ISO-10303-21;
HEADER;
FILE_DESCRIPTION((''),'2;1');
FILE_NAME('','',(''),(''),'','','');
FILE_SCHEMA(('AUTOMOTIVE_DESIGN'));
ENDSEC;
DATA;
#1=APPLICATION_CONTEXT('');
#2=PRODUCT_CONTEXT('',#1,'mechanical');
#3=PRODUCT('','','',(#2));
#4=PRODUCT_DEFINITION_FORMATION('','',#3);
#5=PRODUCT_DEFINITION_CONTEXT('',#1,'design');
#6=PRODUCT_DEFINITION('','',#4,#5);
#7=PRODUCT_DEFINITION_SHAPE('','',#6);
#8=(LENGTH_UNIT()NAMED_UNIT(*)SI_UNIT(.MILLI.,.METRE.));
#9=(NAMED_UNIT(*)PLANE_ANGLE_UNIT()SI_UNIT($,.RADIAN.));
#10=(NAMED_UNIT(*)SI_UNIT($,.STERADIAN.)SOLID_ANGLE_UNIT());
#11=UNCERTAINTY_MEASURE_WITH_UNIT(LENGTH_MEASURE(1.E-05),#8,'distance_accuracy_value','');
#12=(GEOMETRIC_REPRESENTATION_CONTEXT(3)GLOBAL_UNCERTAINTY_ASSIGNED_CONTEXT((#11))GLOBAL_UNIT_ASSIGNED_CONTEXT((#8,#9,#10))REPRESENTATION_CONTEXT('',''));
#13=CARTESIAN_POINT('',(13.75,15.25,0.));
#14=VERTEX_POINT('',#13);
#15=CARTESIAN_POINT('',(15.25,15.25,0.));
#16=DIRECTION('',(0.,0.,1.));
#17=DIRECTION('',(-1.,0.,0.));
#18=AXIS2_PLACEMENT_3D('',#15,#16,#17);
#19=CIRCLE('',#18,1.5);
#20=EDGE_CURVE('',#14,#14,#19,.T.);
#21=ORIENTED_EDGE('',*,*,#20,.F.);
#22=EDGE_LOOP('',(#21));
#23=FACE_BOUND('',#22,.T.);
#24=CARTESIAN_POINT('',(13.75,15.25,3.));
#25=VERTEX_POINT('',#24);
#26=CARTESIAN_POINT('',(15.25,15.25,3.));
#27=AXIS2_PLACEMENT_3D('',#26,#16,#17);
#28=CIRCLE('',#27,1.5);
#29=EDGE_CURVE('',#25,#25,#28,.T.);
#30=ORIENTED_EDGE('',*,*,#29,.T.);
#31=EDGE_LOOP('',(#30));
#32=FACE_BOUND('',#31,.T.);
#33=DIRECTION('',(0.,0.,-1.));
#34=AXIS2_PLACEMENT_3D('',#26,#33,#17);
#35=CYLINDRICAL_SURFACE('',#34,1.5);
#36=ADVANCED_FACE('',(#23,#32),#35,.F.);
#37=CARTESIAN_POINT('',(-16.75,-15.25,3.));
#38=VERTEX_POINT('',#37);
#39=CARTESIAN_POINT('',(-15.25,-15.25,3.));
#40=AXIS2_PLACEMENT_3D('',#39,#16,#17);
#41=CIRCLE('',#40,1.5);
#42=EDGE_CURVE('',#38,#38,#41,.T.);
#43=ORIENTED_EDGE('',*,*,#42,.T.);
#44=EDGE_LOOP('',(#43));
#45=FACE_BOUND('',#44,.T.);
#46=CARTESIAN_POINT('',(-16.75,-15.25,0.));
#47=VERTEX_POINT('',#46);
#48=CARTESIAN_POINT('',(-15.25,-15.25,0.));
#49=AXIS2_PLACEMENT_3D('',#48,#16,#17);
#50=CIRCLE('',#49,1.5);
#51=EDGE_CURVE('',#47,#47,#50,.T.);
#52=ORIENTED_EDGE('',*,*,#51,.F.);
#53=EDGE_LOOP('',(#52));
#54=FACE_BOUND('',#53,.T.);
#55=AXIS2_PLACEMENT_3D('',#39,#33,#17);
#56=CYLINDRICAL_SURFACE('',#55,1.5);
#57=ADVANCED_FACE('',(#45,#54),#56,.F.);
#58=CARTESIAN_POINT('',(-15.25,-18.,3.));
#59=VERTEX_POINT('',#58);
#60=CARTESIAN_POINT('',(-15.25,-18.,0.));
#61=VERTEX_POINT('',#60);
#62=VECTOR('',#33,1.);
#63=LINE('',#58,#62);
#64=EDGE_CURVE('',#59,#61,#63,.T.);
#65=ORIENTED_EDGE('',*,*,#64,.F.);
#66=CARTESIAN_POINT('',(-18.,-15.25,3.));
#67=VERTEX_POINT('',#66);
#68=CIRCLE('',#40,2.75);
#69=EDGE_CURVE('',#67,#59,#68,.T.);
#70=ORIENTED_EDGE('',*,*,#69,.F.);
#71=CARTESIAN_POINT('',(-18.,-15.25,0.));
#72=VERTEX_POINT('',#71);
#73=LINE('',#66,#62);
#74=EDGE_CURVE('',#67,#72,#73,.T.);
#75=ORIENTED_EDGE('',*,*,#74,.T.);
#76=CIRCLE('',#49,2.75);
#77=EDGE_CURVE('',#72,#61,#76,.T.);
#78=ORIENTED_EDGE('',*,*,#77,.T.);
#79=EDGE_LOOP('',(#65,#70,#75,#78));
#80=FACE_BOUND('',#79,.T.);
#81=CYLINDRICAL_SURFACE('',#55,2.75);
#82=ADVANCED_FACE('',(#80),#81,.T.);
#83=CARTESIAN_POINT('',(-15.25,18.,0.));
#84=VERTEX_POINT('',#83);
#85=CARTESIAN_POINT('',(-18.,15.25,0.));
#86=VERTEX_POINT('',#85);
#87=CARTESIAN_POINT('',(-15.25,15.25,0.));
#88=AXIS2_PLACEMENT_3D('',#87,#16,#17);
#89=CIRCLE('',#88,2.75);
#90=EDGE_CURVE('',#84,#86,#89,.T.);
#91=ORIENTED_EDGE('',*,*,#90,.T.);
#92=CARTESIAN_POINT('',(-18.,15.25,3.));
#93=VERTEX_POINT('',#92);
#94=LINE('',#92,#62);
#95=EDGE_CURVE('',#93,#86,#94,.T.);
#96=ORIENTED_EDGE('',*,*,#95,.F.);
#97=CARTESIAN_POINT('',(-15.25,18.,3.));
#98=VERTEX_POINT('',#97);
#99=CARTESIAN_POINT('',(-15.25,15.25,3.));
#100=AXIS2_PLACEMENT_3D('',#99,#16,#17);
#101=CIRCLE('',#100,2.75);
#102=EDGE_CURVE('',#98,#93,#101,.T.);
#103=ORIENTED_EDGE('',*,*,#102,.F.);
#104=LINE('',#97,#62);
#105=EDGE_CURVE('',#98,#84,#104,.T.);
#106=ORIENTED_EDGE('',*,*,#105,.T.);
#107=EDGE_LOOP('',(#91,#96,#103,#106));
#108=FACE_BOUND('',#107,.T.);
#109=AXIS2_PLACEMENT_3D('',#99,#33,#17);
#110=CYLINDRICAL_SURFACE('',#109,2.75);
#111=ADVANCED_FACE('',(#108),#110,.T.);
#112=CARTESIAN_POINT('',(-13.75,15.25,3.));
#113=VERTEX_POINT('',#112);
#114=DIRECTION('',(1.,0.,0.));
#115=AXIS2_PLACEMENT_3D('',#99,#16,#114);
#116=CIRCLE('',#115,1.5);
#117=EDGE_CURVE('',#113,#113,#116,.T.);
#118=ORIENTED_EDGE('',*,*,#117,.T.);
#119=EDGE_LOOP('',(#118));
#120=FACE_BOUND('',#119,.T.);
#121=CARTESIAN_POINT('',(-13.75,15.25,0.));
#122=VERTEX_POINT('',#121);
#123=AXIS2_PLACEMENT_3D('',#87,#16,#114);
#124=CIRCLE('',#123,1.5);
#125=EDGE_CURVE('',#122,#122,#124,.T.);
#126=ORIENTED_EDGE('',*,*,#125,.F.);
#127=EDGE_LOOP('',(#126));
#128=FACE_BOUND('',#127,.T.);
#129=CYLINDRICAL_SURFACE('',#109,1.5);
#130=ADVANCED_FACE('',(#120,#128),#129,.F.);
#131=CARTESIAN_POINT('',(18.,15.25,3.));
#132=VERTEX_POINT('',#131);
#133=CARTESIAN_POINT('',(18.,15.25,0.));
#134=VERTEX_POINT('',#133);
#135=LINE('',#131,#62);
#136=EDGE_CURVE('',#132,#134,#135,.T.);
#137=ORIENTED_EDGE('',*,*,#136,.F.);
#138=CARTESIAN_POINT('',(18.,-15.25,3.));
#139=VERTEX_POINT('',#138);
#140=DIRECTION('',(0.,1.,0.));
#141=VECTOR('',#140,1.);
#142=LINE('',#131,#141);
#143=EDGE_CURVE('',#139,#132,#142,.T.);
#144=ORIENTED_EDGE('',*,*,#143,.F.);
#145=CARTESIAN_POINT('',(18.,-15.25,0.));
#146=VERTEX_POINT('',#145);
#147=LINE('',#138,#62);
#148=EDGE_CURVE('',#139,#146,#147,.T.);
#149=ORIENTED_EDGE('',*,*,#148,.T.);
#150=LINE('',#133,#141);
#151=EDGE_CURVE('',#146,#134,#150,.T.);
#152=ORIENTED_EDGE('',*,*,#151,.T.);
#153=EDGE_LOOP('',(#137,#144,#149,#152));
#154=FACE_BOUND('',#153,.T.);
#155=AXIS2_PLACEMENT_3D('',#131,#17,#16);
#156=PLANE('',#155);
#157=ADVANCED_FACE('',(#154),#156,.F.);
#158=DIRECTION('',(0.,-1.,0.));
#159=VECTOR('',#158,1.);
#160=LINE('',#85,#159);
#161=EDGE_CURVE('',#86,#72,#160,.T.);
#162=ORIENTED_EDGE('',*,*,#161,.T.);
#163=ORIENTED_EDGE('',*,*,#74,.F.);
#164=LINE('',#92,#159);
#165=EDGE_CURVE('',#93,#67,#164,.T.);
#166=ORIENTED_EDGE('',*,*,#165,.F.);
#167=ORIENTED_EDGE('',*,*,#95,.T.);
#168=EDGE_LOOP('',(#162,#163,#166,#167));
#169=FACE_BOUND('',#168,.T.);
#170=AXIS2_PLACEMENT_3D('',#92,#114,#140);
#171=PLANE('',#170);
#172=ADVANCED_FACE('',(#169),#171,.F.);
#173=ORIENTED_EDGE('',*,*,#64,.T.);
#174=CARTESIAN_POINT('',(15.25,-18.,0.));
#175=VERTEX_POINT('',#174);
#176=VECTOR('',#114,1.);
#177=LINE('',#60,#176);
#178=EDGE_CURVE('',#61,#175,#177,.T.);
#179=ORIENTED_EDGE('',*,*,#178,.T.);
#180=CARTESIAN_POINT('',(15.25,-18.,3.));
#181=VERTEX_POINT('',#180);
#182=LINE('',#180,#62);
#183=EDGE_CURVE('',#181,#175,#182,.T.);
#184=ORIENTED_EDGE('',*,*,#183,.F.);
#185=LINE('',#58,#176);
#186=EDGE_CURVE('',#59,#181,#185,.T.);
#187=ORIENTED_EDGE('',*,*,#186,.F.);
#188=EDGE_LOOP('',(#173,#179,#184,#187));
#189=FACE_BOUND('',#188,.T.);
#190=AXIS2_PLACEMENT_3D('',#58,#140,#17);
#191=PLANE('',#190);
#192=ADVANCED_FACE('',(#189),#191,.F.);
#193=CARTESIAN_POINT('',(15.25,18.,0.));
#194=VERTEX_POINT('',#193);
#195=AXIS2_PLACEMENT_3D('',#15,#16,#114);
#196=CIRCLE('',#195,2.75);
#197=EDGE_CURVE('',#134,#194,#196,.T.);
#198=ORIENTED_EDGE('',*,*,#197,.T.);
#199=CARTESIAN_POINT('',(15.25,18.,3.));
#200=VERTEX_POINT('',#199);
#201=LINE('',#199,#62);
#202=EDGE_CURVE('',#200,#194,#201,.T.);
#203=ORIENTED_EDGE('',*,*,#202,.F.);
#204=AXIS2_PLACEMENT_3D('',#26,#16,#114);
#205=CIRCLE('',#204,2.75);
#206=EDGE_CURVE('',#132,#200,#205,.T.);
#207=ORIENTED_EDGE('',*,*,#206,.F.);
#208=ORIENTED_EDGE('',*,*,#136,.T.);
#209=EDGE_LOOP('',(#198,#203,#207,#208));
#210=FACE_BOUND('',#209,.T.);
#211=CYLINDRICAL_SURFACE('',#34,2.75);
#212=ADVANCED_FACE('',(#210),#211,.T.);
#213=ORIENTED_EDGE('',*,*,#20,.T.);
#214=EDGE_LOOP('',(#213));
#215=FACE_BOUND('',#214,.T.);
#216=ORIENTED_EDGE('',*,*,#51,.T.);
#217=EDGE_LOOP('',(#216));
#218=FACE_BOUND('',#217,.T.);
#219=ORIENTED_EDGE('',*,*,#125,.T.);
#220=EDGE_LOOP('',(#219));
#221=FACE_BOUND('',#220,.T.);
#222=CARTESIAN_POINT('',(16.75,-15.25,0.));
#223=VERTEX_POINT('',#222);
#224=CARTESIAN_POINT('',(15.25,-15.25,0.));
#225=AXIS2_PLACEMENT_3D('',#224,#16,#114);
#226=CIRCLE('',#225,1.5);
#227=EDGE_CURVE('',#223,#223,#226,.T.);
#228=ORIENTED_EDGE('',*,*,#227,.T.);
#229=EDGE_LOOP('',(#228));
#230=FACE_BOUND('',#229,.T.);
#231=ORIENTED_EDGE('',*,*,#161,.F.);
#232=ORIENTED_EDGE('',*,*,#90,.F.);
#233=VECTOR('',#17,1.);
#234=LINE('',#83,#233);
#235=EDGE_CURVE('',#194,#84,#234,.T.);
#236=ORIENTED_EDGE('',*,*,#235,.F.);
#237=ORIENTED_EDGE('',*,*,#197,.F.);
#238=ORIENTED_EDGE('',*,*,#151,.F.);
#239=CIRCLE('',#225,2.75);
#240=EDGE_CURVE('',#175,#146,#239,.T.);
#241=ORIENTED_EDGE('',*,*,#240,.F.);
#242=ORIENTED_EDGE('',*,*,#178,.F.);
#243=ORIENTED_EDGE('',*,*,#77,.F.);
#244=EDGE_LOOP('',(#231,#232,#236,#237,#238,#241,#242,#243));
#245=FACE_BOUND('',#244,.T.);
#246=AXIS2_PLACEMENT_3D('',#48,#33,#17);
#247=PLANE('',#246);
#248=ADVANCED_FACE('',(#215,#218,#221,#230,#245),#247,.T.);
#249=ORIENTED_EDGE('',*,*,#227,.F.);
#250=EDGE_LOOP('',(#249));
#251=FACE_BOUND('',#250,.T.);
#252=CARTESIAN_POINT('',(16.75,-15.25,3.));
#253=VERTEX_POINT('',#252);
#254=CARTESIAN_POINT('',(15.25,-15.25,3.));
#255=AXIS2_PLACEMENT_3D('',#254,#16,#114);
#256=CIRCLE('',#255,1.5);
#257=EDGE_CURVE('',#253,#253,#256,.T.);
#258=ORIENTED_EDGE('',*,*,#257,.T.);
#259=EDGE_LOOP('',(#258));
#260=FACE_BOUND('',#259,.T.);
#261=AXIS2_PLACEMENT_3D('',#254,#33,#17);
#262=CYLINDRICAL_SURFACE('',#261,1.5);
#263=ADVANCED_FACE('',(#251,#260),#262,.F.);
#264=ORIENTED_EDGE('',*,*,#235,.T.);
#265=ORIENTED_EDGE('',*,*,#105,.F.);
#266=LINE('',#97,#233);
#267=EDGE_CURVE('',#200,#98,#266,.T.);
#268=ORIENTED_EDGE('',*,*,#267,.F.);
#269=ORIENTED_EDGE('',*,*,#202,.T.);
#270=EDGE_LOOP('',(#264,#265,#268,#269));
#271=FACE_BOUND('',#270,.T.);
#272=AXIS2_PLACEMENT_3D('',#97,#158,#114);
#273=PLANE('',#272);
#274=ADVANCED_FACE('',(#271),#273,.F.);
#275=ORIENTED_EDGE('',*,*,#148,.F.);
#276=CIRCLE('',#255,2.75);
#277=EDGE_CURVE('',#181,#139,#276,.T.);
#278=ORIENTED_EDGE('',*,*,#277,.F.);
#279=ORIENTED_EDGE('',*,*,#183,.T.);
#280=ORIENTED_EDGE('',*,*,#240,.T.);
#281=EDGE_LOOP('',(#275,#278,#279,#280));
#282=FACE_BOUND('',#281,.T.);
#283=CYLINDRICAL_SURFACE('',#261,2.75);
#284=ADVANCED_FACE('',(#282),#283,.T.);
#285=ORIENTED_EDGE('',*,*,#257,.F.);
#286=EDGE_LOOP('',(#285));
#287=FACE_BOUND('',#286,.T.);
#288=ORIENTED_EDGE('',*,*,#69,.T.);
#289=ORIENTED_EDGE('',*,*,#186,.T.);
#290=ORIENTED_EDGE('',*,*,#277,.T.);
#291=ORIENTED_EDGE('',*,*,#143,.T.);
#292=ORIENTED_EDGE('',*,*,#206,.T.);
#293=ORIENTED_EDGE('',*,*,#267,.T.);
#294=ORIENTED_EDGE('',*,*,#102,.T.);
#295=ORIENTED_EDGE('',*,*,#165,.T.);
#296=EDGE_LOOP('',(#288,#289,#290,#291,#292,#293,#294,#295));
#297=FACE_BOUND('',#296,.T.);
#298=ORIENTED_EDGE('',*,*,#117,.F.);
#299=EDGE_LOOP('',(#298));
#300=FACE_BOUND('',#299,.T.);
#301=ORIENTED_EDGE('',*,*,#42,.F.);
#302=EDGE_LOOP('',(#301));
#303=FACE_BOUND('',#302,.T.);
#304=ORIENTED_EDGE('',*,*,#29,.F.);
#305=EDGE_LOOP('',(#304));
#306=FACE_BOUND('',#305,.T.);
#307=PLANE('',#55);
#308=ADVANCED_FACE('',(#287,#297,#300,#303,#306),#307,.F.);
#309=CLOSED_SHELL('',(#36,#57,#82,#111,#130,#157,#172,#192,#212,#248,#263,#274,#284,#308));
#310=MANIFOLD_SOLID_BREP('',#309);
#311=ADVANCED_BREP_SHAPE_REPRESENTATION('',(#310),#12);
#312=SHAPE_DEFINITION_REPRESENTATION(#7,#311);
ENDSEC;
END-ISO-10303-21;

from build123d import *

# Parameters (mm, degrees)
SKETCH_1_R      = 1.5
EXTRUDE_1_DEPTH = 3


with BuildPart() as part:
    # 草图1 → 凸台-拉伸1 (new body)
    with BuildSketch(Plane.XY):
        with BuildLine():
            Line((-15.25, 18), (15.25, 18))
            ThreePointArc((15.25, 18), (17.194543648, 17.194543648), (18, 15.25))
            Line((18, 15.25), (18, -15.25))
            ThreePointArc((18, -15.25), (17.194543648, -17.194543648), (15.25, -18))
            Line((15.25, -18), (-15.25, -18))
            ThreePointArc((-15.25, -18), (-17.194543648, -17.194543648), (-18, -15.25))
            Line((-18, -15.25), (-18, 15.25))
            ThreePointArc((-18, 15.25), (-17.194543648, 17.194543648), (-15.25, 18))
        make_face()
        with Locations((-15.25, 15.25)):
            Circle(SKETCH_1_R, mode=Mode.SUBTRACT)
        with Locations(Location((15.25, 15.25, 0), (0, 0, 180))):
            Circle(SKETCH_1_R, mode=Mode.SUBTRACT)
        with Locations((15.25, -15.25)):
            Circle(SKETCH_1_R, mode=Mode.SUBTRACT)
        with Locations(Location((-15.25, -15.25, 0), (0, 0, 180))):
            Circle(SKETCH_1_R, mode=Mode.SUBTRACT)
    extrude(amount=EXTRUDE_1_DEPTH)


solid = part.part
